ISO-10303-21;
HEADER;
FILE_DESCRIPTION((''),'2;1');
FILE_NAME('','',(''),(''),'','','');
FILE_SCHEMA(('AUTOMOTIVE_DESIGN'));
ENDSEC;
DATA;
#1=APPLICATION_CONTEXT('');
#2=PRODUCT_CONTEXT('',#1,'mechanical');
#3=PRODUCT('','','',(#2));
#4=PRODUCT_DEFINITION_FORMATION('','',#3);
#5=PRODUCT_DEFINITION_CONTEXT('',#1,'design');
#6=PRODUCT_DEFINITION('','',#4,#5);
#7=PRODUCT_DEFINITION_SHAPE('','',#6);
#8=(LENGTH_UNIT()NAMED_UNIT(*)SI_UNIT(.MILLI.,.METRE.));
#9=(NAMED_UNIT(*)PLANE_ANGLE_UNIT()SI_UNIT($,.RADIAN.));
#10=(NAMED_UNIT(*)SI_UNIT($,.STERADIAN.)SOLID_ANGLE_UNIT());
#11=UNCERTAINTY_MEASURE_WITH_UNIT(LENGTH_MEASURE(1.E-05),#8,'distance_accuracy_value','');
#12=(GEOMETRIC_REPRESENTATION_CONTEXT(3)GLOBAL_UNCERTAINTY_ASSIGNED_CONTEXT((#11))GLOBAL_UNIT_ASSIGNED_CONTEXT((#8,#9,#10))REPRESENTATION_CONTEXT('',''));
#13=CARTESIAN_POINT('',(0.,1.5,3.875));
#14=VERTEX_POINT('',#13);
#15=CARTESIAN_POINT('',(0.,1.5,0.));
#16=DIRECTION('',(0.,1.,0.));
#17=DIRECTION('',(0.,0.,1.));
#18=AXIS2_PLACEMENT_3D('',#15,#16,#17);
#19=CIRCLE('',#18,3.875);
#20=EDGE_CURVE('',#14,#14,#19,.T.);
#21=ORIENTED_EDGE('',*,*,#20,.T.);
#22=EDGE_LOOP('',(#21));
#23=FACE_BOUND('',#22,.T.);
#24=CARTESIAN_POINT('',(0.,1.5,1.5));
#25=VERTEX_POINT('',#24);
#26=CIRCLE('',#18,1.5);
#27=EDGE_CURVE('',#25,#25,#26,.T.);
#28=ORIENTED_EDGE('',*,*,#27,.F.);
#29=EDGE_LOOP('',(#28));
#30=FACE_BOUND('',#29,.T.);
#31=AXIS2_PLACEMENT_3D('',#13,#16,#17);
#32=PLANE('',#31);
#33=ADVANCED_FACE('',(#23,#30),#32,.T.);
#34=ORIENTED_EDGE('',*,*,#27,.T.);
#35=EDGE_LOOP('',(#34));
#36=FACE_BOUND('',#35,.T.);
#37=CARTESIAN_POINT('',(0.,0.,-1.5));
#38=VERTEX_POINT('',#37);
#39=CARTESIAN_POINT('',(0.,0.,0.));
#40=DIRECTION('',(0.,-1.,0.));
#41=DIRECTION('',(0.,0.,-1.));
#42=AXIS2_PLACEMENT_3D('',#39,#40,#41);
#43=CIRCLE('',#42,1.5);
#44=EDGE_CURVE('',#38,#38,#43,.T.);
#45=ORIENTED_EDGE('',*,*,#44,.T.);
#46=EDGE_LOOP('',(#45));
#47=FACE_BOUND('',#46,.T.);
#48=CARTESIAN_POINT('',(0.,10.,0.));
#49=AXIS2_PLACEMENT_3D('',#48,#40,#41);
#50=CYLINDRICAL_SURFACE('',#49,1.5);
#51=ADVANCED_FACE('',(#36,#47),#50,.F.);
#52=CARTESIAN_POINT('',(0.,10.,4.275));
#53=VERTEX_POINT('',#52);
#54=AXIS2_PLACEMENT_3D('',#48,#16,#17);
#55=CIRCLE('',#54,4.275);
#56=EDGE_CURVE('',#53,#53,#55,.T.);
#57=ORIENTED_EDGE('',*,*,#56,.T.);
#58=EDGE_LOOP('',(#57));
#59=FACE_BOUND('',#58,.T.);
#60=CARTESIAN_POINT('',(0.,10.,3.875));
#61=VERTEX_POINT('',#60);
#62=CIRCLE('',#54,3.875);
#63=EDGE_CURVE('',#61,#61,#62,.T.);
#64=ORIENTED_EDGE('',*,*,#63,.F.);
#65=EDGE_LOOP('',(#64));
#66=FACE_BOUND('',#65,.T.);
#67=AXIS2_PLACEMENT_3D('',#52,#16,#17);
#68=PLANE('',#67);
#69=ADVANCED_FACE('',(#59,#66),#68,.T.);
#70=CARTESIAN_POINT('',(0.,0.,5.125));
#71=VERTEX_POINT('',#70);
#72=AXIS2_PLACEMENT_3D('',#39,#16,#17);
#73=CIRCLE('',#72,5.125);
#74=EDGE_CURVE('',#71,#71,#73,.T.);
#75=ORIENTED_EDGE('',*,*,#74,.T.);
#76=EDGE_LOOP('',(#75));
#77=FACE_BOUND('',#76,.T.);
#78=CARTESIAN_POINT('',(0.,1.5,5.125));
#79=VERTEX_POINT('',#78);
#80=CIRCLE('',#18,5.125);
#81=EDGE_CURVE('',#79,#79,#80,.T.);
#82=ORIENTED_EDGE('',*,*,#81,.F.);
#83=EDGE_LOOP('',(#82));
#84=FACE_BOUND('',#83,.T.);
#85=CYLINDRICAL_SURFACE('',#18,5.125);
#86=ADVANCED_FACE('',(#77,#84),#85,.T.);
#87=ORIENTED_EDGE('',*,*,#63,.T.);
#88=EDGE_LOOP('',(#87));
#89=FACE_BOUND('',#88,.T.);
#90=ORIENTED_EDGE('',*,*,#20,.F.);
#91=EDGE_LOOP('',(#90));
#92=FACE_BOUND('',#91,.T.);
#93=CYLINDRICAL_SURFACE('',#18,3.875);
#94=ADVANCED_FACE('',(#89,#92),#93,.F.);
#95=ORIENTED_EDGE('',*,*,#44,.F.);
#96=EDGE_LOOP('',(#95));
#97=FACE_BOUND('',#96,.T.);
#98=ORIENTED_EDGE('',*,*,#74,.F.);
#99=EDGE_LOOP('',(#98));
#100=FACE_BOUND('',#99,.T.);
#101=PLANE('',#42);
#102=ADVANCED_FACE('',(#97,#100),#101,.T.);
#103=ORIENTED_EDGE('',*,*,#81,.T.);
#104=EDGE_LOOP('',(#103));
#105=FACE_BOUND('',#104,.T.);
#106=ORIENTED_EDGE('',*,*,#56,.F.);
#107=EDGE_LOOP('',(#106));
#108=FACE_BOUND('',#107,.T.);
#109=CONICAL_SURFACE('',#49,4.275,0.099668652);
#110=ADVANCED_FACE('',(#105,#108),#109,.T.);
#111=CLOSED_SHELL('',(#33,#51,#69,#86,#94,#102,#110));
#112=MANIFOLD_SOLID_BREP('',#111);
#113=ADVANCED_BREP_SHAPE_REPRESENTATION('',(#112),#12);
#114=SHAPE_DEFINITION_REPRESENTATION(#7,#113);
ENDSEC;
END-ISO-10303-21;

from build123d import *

# Parameters (mm, degrees)
SKETCH2_R          = 1.5
CUT_EXTRUDE1_DEPTH = 13.350354246


with BuildPart() as part:
    # Sketch1 → Revolve1 (revolve)
    with BuildSketch(Plane.YZ):
        Polygon((0, 0), (0, 5.125), (1.5, 5.125), (10, 4.275), (10, 3.875), (1.5, 3.875), (1.5, 0), align=None)
    revolve(axis=Axis((0, 1.5, 0), (0, -1, 0)))

    # Sketch2 → Cut-Extrude1 (cut, through all)
    with BuildSketch(Plane.XZ):
        with Locations(Location((0, 0, 0), (0, 0, 270))):
            Circle(SKETCH2_R)
    extrude(amount=-CUT_EXTRUDE1_DEPTH, mode=Mode.SUBTRACT)


solid = part.part
